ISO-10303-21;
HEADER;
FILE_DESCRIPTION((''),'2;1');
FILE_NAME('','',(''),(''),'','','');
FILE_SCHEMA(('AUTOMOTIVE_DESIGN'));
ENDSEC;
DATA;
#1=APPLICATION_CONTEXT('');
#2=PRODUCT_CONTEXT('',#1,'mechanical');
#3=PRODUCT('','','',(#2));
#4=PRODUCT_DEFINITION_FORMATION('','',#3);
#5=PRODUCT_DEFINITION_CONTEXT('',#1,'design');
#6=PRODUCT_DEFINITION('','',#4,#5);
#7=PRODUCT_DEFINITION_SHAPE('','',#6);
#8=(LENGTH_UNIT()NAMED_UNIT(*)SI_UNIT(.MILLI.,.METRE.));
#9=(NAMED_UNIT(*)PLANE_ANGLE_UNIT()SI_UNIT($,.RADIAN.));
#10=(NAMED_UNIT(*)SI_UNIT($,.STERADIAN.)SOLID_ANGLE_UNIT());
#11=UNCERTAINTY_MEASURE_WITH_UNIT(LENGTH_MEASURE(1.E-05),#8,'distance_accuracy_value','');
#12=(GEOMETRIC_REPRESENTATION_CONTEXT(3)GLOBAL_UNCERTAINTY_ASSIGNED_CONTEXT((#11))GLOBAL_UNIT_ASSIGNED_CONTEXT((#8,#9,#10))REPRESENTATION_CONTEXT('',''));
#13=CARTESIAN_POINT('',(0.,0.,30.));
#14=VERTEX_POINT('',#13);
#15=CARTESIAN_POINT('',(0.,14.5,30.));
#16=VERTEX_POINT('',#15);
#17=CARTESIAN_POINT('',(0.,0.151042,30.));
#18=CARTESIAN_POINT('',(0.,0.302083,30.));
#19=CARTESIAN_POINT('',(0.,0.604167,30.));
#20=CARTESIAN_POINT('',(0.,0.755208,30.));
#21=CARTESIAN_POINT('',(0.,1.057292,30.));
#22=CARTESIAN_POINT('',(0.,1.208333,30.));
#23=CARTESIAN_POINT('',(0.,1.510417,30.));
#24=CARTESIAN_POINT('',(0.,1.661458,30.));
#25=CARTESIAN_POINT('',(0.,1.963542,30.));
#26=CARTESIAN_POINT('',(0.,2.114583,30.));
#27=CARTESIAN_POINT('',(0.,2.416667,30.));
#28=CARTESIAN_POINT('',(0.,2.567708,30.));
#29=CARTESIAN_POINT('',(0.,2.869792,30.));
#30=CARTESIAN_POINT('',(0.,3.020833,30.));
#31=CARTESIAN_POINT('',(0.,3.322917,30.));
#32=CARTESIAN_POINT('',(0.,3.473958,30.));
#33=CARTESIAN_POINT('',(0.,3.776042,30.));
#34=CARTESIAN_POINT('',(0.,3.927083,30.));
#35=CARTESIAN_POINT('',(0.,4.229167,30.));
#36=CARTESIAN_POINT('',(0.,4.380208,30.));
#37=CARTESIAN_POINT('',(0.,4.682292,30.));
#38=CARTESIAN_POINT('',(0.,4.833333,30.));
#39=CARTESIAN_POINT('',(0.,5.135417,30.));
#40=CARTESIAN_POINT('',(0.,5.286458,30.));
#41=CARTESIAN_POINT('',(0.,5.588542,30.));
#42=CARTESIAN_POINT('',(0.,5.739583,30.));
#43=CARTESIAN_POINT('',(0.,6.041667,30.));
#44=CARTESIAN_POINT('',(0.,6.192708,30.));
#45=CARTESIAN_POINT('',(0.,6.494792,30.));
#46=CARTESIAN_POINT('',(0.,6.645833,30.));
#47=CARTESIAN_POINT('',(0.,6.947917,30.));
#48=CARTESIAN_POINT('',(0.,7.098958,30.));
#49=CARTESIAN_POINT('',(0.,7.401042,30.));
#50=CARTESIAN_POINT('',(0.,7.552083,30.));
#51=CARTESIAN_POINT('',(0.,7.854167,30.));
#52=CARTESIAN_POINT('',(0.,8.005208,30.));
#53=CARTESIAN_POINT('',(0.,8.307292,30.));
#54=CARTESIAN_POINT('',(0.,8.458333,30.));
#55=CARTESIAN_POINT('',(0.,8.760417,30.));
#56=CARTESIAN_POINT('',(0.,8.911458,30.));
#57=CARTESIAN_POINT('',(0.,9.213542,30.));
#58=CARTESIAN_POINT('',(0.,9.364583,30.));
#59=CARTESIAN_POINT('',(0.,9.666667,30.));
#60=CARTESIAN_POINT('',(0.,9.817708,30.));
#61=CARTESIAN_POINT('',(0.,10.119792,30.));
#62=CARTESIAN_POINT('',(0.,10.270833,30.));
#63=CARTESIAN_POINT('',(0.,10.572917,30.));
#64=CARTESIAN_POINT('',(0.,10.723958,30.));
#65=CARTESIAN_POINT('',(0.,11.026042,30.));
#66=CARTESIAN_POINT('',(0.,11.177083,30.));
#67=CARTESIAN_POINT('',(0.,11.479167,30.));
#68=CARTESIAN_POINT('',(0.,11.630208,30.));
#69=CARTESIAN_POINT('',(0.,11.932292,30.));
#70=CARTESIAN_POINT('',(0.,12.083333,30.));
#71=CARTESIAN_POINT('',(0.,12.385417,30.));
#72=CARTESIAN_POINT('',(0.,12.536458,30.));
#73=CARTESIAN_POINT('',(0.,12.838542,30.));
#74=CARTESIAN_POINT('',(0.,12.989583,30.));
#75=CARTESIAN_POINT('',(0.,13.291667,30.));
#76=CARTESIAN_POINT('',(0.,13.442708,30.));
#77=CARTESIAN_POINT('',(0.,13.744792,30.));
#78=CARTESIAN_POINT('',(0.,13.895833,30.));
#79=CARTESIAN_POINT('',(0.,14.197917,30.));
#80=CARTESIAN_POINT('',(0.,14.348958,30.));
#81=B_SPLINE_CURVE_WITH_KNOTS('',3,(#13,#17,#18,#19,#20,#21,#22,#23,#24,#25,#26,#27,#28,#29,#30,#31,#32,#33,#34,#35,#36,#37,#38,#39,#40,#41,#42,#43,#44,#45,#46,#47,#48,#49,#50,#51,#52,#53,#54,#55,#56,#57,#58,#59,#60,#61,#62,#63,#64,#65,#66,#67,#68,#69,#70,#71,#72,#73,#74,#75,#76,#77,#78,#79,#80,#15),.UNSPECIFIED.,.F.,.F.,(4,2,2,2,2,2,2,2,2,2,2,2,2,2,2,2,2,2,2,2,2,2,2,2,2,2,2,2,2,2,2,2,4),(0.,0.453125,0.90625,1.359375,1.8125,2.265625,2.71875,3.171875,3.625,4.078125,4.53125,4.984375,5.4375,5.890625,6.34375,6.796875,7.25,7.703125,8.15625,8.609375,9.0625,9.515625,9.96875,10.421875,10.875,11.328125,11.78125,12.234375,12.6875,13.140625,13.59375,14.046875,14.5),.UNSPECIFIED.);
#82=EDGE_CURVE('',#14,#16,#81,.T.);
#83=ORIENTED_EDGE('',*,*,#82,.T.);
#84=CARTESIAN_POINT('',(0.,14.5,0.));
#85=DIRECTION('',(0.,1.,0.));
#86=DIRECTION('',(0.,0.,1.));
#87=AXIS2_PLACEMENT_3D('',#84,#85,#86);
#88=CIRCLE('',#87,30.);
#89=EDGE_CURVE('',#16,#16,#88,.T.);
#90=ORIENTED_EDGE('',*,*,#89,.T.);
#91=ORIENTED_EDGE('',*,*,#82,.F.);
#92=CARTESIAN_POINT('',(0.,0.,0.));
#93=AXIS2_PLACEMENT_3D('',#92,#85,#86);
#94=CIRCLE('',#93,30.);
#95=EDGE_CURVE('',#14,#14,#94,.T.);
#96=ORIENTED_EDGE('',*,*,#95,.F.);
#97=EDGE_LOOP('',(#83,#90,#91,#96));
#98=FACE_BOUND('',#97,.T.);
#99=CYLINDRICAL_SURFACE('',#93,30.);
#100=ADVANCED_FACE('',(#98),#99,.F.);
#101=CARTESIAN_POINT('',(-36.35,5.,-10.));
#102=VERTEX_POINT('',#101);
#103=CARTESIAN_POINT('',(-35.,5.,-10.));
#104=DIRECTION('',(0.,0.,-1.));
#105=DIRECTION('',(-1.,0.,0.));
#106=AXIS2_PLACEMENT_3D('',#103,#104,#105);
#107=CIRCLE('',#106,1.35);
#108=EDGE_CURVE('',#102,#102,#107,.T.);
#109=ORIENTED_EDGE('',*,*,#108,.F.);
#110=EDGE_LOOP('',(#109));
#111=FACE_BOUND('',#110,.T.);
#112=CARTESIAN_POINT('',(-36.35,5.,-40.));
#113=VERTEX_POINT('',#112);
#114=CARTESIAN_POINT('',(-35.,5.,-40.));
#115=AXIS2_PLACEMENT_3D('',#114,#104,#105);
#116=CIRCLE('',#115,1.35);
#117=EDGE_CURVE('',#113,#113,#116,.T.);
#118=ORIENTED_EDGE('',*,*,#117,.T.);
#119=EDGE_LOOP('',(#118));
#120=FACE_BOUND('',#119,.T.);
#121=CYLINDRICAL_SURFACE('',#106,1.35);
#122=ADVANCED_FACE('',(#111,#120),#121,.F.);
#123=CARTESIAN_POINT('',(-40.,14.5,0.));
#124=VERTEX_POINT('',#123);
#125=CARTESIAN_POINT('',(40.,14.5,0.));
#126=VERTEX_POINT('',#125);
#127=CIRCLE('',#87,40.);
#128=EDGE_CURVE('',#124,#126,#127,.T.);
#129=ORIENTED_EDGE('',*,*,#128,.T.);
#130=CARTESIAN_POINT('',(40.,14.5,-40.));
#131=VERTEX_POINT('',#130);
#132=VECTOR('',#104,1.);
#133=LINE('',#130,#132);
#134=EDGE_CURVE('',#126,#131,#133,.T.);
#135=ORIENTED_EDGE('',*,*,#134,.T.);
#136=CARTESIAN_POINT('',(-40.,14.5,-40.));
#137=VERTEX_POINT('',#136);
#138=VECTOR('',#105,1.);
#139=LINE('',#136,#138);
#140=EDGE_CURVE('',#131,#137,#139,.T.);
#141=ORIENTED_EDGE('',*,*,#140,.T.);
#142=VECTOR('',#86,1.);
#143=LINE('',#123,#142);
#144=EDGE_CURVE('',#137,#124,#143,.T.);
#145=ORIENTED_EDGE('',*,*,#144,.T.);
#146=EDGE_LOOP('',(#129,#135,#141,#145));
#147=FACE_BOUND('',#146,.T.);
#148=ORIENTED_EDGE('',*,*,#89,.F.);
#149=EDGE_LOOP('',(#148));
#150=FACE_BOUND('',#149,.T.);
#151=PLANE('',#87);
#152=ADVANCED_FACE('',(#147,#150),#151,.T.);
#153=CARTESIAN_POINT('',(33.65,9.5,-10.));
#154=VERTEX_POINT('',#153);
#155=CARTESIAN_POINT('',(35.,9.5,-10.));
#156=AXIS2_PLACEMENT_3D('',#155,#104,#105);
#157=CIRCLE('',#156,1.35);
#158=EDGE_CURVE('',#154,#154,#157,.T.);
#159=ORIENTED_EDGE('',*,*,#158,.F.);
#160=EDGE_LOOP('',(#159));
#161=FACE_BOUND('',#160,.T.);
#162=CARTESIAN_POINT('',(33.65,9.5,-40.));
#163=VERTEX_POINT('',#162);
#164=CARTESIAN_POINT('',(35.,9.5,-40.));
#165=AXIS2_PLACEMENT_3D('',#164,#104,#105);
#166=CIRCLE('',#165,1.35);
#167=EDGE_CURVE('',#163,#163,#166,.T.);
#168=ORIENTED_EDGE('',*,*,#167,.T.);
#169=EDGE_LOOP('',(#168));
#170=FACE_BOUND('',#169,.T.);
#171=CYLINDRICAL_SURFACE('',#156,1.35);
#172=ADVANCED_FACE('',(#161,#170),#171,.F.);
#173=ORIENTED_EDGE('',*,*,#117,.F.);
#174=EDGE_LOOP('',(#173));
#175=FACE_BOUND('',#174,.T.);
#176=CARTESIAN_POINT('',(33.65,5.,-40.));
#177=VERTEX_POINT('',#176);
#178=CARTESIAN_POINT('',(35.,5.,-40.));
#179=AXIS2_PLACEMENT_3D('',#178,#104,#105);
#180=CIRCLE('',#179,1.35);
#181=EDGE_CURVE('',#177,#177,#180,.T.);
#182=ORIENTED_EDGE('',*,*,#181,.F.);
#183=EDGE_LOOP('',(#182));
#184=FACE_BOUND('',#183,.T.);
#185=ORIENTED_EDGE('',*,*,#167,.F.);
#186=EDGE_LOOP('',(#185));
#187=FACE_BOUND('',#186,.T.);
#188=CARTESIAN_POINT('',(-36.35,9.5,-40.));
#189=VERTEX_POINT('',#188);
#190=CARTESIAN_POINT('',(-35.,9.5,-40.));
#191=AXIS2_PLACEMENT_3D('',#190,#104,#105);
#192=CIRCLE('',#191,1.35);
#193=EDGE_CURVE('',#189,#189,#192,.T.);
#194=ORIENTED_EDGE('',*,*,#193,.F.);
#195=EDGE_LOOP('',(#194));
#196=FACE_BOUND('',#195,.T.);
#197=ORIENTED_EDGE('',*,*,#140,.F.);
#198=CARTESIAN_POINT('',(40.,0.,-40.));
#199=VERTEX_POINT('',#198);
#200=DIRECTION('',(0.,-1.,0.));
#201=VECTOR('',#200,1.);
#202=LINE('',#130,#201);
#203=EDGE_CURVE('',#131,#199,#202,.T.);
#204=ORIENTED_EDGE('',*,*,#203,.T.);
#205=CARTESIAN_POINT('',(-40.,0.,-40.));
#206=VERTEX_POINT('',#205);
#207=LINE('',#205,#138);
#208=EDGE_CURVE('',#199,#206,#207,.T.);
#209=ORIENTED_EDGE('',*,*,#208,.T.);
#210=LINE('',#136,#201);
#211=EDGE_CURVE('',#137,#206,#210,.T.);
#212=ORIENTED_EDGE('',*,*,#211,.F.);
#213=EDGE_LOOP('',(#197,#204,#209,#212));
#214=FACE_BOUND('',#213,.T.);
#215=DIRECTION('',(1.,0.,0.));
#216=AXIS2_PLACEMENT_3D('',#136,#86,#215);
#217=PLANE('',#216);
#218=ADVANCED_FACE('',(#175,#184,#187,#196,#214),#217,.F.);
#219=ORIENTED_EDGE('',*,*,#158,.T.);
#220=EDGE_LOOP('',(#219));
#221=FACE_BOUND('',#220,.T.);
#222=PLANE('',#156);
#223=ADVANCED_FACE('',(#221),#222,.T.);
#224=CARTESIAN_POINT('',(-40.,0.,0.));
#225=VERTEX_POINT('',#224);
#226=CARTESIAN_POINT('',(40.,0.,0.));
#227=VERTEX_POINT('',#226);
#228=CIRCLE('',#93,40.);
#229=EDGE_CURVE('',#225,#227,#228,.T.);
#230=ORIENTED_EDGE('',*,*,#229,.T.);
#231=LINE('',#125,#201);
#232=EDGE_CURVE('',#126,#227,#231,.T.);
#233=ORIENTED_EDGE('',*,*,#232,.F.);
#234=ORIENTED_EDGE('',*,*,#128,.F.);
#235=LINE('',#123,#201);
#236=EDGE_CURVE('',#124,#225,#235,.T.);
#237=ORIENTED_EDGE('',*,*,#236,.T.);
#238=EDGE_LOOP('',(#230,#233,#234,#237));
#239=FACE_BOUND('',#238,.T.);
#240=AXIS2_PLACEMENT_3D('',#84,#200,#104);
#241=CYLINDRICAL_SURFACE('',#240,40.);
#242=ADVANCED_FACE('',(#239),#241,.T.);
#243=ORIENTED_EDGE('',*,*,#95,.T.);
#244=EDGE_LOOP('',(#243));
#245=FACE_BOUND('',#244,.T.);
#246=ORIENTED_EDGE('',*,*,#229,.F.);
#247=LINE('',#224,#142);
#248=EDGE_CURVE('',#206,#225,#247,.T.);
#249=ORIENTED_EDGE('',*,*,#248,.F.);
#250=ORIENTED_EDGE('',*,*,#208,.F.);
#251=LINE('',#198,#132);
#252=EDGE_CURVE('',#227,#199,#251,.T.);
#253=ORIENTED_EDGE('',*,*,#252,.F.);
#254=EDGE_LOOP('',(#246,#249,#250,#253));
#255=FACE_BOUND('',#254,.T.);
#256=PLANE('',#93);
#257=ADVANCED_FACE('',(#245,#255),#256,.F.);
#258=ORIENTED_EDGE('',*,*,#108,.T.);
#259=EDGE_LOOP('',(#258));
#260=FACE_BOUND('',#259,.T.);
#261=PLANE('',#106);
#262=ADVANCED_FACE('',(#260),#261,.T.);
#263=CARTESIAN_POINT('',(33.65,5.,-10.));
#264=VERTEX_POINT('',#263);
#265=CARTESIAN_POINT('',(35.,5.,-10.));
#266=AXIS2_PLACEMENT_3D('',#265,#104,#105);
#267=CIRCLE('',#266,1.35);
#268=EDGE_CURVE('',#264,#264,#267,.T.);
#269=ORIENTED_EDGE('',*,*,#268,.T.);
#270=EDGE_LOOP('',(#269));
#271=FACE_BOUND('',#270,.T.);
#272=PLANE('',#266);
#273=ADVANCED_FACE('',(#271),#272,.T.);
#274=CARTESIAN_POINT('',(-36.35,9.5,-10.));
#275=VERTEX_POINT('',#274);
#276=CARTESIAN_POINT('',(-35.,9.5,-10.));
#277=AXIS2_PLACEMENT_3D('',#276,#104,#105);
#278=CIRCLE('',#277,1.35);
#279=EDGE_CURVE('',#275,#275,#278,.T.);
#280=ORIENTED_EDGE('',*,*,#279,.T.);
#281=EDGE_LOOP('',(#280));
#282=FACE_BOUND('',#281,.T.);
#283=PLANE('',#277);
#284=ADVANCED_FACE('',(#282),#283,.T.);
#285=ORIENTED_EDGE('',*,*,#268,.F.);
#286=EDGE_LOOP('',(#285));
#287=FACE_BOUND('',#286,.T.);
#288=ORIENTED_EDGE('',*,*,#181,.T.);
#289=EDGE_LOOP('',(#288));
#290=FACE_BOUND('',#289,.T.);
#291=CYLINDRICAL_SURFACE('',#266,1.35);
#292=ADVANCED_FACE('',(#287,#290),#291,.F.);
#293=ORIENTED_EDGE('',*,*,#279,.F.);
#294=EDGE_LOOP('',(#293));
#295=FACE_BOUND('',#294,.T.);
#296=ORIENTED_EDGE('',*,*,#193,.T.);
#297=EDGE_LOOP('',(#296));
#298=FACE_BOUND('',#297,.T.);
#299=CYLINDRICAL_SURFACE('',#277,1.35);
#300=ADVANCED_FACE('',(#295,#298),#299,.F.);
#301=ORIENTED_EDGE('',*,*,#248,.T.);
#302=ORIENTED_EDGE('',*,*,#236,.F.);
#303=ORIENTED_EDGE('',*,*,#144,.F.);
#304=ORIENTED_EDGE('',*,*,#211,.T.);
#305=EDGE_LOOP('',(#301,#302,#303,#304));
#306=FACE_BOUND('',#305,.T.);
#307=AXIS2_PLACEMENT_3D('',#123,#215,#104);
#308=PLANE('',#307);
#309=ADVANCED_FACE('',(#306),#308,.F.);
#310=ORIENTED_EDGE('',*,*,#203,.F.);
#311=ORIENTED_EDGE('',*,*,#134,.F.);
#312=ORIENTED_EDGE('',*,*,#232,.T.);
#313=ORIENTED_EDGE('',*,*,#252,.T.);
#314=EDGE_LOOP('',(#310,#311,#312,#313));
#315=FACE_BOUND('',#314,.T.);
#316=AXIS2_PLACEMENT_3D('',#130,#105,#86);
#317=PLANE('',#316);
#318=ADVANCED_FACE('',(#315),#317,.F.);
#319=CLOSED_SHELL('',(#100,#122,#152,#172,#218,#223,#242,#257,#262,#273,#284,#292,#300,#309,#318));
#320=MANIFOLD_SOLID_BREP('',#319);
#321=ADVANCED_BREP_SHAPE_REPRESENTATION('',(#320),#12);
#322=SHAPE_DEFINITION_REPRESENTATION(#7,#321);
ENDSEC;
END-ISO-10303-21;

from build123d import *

# Parameters (mm, degrees)
SALIENTE_EXTRUIR1_DEPTH = 14.5
CROQUIS3_R              = 30
CORTAR_EXTRUIR1_DEPTH   = 59.39734583
CROQUIS4_R              = 1.35
CORTAR_EXTRUIR2_DEPTH   = 30


with BuildPart() as part:
    # Croquis1 → Saliente-Extruir1 (new body)
    with BuildSketch(Plane(origin=(0, 0, 0), x_dir=(1, 0, 0), z_dir=(0, 1, 0))):
        with BuildLine():
            Line((-40, 0), (-40, 40))
            Line((-40, 40), (40, 40))
            Line((40, 40), (40, 0))
            ThreePointArc((40, 0), (0, -40), (-40, 0))
        make_face()
    extrude(amount=SALIENTE_EXTRUIR1_DEPTH)

    # Croquis3 → Cortar-Extruir1 (cut, through all)
    with BuildSketch(Plane(origin=(0, 14.5, 0), x_dir=(1, 0, 0), z_dir=(0, 1, 0))):
        with Locations(Location((0, 0, 0), (0, 0, 270))):
            Circle(CROQUIS3_R)
    extrude(amount=-CORTAR_EXTRUIR1_DEPTH, mode=Mode.SUBTRACT)

    # Croquis4 → Cortar-Extruir2 (cut)
    with BuildSketch(Plane(origin=(0, 0, -40), x_dir=(-1, 0, 0), z_dir=(0, 0, -1))):
        with Locations((-35, 9.5)):
            Circle(CROQUIS4_R)
        with Locations((-35, 5)):
            Circle(CROQUIS4_R)
        with Locations((35, 9.5)):
            Circle(CROQUIS4_R)
        with Locations((35, 5)):
            Circle(CROQUIS4_R)
    extrude(amount=-CORTAR_EXTRUIR2_DEPTH, mode=Mode.SUBTRACT)


solid = part.part
